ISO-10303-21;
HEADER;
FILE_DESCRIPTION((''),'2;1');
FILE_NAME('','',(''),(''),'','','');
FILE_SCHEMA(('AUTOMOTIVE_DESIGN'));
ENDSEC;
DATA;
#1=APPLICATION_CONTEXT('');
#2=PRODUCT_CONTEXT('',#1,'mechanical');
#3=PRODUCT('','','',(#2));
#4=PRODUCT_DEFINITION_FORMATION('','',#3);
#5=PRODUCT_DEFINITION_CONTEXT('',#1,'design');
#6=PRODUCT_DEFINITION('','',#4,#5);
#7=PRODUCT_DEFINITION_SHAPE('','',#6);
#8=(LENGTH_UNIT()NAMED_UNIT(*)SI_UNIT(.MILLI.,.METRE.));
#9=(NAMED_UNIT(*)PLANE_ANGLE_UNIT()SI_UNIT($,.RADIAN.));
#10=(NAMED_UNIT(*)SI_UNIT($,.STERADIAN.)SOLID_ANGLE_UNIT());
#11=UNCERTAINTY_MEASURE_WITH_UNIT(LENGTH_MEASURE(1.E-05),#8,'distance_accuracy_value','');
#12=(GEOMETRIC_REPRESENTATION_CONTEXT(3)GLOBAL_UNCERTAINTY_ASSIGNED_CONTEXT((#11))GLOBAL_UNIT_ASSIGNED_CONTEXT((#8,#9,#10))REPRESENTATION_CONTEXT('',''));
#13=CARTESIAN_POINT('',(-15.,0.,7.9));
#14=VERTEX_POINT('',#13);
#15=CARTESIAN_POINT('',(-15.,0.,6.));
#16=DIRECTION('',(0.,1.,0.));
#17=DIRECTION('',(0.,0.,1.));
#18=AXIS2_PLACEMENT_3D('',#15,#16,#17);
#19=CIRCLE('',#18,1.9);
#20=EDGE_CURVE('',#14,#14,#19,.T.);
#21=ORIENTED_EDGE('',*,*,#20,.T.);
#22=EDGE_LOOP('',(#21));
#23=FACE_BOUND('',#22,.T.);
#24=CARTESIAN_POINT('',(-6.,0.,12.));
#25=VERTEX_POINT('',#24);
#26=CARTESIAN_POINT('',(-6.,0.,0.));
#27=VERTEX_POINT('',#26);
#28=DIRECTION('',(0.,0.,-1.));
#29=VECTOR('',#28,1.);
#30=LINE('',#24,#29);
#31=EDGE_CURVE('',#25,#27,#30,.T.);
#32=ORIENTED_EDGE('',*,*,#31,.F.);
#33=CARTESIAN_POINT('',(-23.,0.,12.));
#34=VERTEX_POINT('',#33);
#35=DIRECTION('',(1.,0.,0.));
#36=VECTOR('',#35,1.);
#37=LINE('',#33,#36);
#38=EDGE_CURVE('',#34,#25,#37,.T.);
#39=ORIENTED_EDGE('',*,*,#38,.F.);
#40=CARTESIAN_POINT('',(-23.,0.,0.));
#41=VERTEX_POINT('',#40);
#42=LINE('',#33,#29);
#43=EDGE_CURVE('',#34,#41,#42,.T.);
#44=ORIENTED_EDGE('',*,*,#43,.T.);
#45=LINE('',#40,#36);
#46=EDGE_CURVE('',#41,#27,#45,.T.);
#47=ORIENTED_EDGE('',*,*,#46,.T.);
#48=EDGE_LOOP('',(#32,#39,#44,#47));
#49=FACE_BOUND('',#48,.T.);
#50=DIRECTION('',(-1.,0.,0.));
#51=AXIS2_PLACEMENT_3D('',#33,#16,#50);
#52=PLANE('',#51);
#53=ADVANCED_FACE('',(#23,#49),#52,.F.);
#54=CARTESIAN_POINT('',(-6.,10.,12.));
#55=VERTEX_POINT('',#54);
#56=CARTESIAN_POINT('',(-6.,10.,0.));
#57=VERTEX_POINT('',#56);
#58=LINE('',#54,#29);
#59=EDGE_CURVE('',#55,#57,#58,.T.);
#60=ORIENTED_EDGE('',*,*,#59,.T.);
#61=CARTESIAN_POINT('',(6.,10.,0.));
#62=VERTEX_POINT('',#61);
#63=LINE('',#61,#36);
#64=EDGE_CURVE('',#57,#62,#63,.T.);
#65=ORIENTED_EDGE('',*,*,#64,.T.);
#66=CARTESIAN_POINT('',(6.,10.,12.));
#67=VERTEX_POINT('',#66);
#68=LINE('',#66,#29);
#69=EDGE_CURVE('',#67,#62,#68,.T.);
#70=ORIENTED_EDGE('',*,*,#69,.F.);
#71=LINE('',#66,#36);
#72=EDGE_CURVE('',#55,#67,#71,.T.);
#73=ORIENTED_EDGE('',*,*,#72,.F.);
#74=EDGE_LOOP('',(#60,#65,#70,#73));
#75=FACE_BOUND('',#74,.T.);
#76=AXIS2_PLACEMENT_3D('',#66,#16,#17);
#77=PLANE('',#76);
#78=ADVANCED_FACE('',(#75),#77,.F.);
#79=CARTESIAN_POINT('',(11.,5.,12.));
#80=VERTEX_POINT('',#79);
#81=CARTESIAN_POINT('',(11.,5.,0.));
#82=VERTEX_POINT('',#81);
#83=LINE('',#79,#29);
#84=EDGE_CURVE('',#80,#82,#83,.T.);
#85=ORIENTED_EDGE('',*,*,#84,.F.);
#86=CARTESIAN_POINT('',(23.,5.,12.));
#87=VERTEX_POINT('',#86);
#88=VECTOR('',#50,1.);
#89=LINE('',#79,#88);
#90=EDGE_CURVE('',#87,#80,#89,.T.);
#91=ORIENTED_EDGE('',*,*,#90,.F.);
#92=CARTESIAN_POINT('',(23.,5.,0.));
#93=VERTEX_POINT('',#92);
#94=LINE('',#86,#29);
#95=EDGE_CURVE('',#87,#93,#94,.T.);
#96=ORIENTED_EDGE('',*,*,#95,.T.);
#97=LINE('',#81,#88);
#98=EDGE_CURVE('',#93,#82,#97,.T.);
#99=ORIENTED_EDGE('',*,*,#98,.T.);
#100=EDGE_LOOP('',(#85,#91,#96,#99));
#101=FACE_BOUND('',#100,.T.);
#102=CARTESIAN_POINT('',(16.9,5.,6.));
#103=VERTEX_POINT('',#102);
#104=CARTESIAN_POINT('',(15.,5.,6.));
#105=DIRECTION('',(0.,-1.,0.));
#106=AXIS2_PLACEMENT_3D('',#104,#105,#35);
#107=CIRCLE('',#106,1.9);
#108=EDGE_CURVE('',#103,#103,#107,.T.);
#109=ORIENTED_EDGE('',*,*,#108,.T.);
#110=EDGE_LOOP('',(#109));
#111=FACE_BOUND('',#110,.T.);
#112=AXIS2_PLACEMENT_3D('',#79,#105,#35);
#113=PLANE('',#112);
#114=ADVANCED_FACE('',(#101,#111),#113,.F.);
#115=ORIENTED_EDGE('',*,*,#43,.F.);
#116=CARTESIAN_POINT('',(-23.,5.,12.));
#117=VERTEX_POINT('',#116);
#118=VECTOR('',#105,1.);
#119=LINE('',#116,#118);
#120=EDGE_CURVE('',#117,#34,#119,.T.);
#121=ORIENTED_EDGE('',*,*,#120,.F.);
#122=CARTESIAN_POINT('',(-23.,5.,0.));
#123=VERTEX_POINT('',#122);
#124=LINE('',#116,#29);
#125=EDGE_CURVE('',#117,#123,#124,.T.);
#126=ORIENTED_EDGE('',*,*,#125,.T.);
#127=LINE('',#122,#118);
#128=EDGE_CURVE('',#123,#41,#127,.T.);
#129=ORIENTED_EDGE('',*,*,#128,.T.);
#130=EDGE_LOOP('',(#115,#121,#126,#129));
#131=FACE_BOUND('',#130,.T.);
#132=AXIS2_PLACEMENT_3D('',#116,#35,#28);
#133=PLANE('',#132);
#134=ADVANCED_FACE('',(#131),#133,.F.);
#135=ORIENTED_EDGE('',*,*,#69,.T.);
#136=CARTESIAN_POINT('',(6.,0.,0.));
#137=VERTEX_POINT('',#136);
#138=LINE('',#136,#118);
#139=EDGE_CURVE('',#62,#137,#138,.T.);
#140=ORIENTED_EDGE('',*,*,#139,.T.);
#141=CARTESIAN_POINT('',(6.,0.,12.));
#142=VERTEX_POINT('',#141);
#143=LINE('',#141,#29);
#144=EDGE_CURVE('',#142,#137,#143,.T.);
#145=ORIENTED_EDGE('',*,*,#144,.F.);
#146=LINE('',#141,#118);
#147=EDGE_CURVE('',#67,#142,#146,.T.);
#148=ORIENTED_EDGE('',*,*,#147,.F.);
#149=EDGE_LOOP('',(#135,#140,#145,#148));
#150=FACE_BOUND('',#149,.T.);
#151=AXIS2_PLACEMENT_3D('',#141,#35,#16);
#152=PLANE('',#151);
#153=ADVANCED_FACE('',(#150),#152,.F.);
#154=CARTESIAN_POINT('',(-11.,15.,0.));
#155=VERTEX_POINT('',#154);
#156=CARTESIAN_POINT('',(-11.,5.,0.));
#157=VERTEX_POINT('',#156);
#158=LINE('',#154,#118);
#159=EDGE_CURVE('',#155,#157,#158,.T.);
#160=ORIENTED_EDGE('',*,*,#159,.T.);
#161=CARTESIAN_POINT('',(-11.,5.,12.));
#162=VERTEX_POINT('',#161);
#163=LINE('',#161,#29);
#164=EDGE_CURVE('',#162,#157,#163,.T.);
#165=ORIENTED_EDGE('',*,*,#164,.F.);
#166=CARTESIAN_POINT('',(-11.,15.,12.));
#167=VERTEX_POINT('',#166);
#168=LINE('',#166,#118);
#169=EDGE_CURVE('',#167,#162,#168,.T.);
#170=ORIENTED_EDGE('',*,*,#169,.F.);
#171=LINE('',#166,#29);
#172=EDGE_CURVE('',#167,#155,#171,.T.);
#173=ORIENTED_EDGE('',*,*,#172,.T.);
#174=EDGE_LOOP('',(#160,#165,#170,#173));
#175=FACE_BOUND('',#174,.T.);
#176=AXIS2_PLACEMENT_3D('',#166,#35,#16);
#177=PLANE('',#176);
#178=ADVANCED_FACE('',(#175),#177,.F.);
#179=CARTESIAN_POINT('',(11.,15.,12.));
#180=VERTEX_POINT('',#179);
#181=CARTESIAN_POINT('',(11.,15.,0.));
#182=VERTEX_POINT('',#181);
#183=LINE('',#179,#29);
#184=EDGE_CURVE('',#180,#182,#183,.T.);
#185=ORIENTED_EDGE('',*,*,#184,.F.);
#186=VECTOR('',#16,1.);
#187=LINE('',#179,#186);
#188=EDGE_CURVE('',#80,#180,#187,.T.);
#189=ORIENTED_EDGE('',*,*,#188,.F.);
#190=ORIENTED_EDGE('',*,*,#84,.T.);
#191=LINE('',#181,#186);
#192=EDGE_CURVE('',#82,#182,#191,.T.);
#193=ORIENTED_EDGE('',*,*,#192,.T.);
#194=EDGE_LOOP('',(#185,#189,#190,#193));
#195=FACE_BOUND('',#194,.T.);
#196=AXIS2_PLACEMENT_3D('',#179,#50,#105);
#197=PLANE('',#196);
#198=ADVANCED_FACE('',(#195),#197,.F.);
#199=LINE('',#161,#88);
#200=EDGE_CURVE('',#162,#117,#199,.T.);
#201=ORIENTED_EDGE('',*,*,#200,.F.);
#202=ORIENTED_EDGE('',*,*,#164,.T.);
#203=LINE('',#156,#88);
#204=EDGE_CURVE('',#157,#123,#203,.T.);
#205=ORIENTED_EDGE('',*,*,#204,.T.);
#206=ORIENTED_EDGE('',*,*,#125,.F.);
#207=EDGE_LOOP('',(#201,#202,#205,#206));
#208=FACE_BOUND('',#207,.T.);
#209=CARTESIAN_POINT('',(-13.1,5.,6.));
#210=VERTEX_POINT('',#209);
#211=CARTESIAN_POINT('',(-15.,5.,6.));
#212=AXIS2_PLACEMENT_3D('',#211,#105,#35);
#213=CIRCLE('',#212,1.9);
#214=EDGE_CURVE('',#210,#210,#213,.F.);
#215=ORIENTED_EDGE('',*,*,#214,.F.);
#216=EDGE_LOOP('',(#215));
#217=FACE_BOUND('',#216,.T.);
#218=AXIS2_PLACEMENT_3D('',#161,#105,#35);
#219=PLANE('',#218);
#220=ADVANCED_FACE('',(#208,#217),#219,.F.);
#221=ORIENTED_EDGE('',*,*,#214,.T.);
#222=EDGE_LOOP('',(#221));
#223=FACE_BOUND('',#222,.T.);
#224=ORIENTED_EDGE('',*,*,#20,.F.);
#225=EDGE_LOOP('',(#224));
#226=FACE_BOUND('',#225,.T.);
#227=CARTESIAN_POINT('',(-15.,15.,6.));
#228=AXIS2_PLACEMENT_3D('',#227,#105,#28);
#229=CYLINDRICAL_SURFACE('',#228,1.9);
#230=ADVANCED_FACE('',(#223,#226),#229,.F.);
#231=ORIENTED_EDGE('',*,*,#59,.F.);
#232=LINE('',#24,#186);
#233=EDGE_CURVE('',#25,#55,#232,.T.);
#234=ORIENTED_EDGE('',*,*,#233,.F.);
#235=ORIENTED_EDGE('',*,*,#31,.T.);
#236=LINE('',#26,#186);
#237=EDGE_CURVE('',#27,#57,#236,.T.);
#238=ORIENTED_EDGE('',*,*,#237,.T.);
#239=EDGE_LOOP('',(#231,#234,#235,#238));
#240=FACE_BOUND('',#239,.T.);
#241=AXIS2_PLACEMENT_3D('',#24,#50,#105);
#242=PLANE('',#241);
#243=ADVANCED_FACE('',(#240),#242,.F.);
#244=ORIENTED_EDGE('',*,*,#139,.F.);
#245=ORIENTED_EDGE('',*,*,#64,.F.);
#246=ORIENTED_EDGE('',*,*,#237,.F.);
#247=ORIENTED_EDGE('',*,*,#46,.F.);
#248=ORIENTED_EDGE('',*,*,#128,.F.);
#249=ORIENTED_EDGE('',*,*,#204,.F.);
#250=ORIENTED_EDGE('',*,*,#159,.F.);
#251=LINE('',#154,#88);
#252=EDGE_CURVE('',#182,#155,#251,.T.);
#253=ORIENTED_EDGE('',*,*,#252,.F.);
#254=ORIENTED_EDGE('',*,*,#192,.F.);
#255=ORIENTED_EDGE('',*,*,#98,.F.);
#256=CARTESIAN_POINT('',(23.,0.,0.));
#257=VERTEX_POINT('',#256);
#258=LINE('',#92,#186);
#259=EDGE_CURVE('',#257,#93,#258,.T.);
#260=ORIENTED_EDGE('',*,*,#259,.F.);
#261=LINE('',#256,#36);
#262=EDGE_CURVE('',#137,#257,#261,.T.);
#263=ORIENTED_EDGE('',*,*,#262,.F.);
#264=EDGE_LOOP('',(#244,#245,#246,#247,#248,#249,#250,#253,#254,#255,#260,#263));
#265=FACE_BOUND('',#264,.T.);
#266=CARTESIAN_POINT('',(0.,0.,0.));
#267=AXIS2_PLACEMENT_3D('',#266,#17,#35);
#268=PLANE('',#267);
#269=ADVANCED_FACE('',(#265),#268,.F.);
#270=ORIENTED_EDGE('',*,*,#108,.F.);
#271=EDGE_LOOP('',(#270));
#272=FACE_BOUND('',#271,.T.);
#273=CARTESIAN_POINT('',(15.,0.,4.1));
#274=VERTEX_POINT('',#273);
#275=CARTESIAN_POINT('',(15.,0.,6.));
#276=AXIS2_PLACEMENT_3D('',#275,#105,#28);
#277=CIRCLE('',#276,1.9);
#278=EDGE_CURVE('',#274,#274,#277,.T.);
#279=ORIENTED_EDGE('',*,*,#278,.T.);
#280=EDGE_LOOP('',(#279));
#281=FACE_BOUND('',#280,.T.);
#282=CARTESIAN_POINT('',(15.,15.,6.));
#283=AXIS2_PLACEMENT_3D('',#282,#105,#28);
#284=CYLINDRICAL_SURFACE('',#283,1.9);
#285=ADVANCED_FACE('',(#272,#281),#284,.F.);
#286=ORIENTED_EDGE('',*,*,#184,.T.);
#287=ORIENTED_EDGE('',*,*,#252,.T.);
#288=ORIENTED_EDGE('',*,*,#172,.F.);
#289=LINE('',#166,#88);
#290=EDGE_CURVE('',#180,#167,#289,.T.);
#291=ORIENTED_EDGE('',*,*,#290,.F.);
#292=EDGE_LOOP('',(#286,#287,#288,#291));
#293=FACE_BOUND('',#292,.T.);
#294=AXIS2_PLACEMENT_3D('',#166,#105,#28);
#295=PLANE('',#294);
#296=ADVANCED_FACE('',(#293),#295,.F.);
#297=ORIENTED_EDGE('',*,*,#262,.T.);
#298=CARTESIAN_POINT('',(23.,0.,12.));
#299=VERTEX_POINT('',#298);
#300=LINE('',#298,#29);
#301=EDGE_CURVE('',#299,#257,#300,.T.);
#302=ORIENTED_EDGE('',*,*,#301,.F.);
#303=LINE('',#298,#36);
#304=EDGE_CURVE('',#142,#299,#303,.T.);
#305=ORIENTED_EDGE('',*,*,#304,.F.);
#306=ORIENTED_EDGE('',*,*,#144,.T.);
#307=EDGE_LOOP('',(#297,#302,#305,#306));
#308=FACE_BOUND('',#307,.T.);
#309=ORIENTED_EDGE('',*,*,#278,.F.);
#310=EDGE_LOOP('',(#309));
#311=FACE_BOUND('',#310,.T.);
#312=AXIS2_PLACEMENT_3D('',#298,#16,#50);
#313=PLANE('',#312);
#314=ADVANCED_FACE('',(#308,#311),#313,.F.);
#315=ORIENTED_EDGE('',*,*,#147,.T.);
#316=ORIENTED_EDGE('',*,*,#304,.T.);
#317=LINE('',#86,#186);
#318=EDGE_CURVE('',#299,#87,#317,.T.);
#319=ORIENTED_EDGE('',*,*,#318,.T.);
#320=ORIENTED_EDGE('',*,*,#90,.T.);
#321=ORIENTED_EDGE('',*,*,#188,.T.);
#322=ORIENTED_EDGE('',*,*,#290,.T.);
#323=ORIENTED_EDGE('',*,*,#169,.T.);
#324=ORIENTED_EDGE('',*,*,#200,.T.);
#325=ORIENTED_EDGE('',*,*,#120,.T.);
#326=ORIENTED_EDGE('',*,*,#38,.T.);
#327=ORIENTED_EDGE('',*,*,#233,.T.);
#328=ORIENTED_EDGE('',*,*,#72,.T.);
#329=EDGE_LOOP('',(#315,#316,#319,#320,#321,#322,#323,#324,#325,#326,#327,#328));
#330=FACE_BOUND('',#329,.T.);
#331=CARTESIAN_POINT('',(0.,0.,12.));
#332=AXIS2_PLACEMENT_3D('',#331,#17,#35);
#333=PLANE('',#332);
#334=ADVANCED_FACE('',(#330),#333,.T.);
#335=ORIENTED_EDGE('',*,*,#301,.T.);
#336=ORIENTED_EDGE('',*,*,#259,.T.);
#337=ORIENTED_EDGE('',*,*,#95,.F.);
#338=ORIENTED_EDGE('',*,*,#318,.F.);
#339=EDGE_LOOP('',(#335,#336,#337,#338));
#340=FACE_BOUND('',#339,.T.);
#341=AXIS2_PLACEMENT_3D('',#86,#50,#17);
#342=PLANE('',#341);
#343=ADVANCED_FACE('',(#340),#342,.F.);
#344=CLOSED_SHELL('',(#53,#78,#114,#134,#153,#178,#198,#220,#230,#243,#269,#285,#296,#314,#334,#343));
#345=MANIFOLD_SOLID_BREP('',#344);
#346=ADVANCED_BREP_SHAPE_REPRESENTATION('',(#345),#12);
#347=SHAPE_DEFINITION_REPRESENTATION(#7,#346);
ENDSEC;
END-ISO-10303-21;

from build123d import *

# Parameters (mm, degrees)
EXTRUDE_1_DEPTH     = 12
SKETCH_2_R          = 1.9
CUT_EXTRUDE_5_DEPTH = 30.966648128


with BuildPart() as part:
    # 草图1 → 凸台-拉伸1 (new body)
    with BuildSketch(Plane.XY):
        Polygon((-11, 15), (11, 15), (11, 5), (23, 5), (23, 0), (6, 0), (6, 10), (-6, 10), (-6, 0), (-23, 0), (-23, 5), (-11, 5), align=None)
    extrude(amount=EXTRUDE_1_DEPTH)

    # 草图2 → 切除-拉伸5 (cut, through all)
    with BuildSketch(Plane(origin=(0, 0, 0), x_dir=(1, 0, 0), z_dir=(0, 1, 0))):
        with Locations((-15, -6)):
            Circle(SKETCH_2_R)
        with Locations(Location((15, -6, 0), (0, 0, 90))):
            Circle(SKETCH_2_R)
    extrude(amount=CUT_EXTRUDE_5_DEPTH, mode=Mode.SUBTRACT)


solid = part.part
